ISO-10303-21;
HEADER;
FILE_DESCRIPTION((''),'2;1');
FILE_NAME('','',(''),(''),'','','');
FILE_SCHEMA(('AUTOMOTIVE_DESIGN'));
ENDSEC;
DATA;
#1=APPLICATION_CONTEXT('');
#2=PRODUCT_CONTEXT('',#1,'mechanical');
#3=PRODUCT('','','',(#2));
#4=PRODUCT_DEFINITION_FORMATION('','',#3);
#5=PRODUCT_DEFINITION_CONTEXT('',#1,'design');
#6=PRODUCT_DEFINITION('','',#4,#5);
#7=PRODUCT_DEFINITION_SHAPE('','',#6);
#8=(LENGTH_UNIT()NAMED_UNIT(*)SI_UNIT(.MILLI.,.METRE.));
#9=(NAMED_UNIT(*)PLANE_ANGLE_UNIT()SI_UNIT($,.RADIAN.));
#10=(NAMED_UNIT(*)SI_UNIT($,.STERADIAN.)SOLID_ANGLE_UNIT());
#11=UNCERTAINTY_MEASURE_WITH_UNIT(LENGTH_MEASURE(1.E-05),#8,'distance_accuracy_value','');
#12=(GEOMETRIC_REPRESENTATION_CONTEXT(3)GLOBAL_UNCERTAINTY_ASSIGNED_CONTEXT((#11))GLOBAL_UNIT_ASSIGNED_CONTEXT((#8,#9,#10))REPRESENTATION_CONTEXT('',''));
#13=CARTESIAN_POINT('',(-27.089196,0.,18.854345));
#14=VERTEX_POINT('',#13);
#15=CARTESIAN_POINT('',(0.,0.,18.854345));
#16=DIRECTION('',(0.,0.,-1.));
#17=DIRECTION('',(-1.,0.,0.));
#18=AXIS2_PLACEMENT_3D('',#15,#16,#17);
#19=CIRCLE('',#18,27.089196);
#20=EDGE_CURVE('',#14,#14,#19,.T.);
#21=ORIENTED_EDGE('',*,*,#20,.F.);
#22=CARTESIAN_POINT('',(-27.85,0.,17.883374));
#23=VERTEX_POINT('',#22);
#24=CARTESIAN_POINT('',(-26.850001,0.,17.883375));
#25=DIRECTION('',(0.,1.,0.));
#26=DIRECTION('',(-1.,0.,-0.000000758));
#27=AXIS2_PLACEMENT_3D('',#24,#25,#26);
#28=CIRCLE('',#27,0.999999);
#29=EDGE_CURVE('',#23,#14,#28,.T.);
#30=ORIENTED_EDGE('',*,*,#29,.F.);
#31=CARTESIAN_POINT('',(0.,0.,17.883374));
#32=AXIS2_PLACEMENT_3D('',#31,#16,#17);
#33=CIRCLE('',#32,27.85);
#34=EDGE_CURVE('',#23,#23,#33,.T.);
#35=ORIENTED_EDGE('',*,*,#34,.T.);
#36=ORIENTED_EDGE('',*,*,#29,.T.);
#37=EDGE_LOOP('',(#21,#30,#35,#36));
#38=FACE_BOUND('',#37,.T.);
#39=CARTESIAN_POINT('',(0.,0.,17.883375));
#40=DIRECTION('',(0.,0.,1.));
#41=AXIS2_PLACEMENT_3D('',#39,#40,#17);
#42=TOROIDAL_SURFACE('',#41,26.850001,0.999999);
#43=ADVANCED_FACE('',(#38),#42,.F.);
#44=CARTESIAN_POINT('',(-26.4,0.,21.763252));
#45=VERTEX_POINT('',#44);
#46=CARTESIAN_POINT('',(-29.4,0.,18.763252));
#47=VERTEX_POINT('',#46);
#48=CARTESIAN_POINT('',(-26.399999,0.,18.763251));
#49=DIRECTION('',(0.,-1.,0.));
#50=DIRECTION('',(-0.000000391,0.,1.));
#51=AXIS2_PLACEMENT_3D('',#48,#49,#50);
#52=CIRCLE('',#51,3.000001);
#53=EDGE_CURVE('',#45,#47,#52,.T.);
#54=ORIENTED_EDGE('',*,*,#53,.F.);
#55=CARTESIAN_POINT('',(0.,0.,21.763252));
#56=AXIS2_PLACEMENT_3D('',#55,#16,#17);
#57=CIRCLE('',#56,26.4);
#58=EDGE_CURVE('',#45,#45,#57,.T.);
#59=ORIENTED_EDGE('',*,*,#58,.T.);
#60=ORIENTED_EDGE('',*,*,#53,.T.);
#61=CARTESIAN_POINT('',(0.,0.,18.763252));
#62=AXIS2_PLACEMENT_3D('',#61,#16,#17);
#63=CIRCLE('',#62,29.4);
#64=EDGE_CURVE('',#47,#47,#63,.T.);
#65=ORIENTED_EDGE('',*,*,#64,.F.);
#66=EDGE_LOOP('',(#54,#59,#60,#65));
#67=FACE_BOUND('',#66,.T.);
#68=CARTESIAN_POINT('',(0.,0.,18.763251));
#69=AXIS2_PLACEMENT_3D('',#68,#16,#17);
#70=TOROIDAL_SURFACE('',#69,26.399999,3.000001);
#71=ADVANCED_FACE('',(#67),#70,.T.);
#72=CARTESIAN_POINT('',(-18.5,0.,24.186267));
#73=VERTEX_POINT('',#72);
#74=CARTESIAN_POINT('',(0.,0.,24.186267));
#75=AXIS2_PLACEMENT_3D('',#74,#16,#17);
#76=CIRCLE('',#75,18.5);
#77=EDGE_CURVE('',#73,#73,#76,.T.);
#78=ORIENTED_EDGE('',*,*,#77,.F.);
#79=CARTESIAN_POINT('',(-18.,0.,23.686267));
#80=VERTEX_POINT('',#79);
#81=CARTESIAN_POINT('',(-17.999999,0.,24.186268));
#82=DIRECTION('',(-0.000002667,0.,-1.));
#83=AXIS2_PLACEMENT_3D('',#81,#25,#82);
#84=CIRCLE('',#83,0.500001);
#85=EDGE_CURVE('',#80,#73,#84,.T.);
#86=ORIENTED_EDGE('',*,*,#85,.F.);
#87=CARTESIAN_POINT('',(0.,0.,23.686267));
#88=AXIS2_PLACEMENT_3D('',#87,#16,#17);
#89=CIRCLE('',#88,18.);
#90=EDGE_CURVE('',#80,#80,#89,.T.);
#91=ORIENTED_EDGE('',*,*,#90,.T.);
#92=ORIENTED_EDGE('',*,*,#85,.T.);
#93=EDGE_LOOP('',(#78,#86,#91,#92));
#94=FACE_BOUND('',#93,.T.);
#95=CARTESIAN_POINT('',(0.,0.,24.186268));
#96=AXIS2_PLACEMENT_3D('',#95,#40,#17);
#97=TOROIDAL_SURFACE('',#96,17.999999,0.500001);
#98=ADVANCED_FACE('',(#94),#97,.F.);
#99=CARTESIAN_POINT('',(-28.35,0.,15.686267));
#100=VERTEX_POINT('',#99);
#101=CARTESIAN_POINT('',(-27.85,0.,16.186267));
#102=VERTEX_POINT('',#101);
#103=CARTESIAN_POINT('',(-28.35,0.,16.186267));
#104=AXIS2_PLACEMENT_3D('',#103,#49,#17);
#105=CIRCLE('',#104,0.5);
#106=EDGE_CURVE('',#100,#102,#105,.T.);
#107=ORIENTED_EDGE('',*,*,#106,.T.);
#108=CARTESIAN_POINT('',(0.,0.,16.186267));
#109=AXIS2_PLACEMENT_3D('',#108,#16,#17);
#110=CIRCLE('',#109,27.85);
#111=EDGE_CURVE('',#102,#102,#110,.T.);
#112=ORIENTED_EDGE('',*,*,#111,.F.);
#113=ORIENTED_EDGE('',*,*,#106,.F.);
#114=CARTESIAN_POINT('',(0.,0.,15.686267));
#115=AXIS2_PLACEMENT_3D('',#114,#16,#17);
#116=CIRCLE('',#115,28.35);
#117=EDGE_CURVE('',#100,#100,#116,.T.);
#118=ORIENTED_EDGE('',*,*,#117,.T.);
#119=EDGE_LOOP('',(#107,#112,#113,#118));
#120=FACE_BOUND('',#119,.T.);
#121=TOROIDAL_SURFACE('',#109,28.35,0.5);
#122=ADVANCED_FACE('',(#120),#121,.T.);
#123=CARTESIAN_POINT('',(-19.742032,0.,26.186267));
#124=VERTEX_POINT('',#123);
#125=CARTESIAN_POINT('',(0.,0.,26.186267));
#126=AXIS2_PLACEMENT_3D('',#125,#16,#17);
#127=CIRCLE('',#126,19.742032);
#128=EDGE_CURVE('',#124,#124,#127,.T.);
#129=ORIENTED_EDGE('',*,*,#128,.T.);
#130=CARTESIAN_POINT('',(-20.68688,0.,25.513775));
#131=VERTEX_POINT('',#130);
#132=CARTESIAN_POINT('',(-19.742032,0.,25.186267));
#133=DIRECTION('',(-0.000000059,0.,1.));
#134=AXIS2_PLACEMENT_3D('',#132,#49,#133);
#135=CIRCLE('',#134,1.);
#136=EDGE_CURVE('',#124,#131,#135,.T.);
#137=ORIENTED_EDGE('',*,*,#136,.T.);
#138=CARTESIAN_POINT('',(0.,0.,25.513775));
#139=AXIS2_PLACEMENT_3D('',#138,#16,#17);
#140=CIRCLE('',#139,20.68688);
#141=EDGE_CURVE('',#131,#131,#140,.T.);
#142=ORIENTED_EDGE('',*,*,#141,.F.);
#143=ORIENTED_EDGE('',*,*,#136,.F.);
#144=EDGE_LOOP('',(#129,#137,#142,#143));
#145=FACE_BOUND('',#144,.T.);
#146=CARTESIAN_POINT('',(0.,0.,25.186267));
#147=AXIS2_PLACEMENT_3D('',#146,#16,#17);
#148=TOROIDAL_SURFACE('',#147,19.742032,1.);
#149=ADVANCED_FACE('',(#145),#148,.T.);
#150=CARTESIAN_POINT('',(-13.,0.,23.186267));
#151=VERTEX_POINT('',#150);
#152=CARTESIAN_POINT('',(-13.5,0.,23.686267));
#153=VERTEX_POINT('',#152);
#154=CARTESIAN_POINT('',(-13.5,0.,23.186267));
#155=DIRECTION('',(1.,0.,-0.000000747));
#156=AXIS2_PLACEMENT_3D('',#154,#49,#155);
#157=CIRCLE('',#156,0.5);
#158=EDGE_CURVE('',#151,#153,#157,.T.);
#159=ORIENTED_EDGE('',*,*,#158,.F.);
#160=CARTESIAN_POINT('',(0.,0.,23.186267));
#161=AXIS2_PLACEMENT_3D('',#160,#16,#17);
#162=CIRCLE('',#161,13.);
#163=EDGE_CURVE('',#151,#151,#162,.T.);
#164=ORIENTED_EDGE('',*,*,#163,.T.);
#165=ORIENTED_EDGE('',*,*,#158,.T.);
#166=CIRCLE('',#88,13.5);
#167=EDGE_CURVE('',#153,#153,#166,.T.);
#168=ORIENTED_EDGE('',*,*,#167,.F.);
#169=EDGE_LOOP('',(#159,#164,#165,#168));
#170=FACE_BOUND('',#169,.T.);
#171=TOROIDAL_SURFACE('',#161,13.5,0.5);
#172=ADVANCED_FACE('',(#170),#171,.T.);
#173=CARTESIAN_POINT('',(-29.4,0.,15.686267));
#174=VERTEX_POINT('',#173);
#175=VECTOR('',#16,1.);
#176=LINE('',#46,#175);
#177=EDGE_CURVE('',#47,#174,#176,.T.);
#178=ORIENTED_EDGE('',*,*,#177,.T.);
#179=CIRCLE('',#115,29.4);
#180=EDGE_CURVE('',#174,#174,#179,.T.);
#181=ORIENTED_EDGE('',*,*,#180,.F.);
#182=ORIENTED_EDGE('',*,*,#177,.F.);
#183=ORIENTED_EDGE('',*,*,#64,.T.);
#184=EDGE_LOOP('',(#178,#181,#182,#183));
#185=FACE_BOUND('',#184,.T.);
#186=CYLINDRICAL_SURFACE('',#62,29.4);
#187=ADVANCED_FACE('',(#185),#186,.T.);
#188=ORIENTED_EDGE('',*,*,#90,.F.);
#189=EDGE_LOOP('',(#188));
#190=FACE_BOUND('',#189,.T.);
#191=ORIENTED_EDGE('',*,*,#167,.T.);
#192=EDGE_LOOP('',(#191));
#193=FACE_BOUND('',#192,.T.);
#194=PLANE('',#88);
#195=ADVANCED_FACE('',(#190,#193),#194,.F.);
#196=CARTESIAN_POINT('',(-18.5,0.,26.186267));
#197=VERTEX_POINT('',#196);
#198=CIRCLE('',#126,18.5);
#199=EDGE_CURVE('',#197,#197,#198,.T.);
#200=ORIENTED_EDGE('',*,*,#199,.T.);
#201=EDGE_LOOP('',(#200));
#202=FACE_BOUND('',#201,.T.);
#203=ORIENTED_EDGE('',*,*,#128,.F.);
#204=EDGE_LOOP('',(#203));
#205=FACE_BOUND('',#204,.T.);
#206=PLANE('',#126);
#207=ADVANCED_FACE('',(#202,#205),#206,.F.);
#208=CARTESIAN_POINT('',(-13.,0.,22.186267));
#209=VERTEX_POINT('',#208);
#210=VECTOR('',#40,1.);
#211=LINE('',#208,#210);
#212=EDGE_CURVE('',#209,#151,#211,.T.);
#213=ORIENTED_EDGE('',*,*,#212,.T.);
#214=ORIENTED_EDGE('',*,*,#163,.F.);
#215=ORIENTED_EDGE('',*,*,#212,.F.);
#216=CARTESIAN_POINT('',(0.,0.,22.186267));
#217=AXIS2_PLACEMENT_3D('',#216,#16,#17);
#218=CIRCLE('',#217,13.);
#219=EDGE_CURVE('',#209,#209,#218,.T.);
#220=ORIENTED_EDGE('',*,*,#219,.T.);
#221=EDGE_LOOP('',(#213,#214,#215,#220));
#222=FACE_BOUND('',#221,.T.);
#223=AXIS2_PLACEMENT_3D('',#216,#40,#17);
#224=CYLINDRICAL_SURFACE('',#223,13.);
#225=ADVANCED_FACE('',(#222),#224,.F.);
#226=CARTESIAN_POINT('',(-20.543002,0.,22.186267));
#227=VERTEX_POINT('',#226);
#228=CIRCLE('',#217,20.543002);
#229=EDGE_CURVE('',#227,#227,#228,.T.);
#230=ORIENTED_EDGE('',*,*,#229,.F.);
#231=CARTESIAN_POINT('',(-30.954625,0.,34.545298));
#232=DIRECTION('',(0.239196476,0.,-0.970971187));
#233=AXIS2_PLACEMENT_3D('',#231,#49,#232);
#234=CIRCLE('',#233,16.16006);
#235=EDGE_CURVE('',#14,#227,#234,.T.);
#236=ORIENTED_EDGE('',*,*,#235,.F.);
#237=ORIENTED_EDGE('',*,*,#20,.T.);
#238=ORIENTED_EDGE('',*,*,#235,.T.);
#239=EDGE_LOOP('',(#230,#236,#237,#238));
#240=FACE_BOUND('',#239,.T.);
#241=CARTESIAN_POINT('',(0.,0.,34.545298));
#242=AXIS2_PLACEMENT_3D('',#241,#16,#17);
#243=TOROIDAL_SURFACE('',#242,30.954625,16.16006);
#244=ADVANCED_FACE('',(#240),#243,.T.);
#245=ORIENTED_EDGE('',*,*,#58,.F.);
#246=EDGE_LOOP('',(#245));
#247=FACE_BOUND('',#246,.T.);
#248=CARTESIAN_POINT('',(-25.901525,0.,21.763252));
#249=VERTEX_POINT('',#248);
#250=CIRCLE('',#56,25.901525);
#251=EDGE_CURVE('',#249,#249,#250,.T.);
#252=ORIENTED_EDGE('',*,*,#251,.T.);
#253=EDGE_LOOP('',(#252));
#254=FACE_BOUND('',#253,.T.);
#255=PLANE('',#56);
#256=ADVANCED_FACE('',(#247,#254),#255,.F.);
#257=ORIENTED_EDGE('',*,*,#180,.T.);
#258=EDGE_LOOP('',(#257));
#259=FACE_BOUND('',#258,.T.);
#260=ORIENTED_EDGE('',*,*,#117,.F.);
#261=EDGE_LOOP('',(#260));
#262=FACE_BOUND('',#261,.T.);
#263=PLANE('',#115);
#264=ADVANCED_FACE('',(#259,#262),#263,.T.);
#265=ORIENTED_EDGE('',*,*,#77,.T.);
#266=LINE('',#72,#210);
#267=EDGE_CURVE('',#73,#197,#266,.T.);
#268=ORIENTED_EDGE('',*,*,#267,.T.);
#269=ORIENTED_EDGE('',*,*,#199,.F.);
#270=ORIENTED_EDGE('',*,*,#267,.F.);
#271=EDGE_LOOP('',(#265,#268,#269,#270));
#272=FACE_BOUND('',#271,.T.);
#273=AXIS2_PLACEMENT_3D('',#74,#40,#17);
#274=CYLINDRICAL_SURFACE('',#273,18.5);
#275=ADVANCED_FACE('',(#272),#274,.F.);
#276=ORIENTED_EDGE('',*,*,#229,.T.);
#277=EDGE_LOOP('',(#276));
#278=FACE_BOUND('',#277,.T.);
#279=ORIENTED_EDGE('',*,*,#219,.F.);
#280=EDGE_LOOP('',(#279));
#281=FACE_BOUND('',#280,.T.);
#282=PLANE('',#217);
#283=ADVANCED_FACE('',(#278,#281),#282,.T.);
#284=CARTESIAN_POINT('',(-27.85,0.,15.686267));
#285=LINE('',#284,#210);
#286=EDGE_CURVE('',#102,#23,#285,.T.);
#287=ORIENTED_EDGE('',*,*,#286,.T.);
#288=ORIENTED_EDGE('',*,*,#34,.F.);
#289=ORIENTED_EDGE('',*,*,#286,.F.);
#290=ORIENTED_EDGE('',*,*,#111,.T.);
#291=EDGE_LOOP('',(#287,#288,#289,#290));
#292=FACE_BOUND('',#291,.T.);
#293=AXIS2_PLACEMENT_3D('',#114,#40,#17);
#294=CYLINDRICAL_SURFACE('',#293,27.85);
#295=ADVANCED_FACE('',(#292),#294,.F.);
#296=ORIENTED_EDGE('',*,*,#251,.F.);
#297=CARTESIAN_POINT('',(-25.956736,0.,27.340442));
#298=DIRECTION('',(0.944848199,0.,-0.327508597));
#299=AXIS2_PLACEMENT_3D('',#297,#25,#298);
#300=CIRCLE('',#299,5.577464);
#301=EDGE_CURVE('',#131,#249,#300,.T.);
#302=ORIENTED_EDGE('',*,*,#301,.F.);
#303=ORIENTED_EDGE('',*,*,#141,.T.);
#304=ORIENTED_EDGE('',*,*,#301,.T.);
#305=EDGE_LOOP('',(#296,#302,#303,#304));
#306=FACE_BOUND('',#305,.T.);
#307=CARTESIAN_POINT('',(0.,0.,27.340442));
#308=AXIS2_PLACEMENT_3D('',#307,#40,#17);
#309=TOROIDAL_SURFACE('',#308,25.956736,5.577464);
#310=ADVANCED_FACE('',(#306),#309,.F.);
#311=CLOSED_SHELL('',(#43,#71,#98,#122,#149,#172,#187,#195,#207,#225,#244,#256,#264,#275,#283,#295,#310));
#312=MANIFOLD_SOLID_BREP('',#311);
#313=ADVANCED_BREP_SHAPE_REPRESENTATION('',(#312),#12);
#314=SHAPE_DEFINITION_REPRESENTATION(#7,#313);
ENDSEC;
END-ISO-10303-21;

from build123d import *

# Parameters (mm, degrees)
F2_R = 0.5


with BuildPart() as f1:
    # F0 (on Front) → F1 (revolve)
    with BuildSketch(Plane.XZ):
        with BuildLine():
            ThreePointArc((-13, 23.186267), (-13.146447, 23.539821), (-13.5, 23.686267))
            Line((-13.5, 23.686267), (-18, 23.686267))
            ThreePointArc((-18, 23.686267), (-18.353553, 23.832714), (-18.5, 24.186267))
            Line((-18.5, 24.186267), (-18.5, 26.186267))
            Line((-18.5, 26.186267), (-19.742032, 26.186267))
            ThreePointArc((-19.742032, 26.186267), (-20.321899, 26.000978), (-20.68688, 25.513775))
            ThreePointArc((-20.68688, 25.513775), (-22.700098, 22.812484), (-25.901525, 21.763252))
            ThreePointArc((-25.901525, 21.763252), (-25.956736, 21.762978), (-26.011948, 21.763252))
            Line((-26.011948, 21.763252), (-26.4, 21.763252))
            ThreePointArc((-26.4, 21.763252), (-28.52132, 20.884572), (-29.4, 18.763252))
            Line((-29.4, 18.763252), (-29.4, 15.686267))
            Line((-29.4, 15.686267), (-27.85, 15.686267))
            Line((-27.85, 15.686267), (-27.85, 17.883374))
            ThreePointArc((-27.85, 17.883374), (-27.637146, 18.500141), (-27.089196, 18.854345))
            ThreePointArc((-27.089196, 18.854345), (-23.624279, 20.143438), (-20.543002, 22.186267))
            Line((-20.543002, 22.186267), (-13, 22.186267))
            Line((-13, 22.186267), (-13, 23.186267))
        make_face()
        with BuildLine():
            ThreePointArc((-26.011948, 21.763252), (-25.956736, 21.762978), (-25.901525, 21.763252))
            Line((-25.901525, 21.763252), (-26.011948, 21.763252))
        make_face()
    revolve(axis=Axis((0, 0, 20.048303), (0, 0, -1)))

    # F2
    f2_edges = [f1.edges().sort_by_distance(p)[0] for p in [
        (27.85, 0, 15.686267),
    ]]
    fillet(f2_edges, radius=F2_R)


solid = f1.part
